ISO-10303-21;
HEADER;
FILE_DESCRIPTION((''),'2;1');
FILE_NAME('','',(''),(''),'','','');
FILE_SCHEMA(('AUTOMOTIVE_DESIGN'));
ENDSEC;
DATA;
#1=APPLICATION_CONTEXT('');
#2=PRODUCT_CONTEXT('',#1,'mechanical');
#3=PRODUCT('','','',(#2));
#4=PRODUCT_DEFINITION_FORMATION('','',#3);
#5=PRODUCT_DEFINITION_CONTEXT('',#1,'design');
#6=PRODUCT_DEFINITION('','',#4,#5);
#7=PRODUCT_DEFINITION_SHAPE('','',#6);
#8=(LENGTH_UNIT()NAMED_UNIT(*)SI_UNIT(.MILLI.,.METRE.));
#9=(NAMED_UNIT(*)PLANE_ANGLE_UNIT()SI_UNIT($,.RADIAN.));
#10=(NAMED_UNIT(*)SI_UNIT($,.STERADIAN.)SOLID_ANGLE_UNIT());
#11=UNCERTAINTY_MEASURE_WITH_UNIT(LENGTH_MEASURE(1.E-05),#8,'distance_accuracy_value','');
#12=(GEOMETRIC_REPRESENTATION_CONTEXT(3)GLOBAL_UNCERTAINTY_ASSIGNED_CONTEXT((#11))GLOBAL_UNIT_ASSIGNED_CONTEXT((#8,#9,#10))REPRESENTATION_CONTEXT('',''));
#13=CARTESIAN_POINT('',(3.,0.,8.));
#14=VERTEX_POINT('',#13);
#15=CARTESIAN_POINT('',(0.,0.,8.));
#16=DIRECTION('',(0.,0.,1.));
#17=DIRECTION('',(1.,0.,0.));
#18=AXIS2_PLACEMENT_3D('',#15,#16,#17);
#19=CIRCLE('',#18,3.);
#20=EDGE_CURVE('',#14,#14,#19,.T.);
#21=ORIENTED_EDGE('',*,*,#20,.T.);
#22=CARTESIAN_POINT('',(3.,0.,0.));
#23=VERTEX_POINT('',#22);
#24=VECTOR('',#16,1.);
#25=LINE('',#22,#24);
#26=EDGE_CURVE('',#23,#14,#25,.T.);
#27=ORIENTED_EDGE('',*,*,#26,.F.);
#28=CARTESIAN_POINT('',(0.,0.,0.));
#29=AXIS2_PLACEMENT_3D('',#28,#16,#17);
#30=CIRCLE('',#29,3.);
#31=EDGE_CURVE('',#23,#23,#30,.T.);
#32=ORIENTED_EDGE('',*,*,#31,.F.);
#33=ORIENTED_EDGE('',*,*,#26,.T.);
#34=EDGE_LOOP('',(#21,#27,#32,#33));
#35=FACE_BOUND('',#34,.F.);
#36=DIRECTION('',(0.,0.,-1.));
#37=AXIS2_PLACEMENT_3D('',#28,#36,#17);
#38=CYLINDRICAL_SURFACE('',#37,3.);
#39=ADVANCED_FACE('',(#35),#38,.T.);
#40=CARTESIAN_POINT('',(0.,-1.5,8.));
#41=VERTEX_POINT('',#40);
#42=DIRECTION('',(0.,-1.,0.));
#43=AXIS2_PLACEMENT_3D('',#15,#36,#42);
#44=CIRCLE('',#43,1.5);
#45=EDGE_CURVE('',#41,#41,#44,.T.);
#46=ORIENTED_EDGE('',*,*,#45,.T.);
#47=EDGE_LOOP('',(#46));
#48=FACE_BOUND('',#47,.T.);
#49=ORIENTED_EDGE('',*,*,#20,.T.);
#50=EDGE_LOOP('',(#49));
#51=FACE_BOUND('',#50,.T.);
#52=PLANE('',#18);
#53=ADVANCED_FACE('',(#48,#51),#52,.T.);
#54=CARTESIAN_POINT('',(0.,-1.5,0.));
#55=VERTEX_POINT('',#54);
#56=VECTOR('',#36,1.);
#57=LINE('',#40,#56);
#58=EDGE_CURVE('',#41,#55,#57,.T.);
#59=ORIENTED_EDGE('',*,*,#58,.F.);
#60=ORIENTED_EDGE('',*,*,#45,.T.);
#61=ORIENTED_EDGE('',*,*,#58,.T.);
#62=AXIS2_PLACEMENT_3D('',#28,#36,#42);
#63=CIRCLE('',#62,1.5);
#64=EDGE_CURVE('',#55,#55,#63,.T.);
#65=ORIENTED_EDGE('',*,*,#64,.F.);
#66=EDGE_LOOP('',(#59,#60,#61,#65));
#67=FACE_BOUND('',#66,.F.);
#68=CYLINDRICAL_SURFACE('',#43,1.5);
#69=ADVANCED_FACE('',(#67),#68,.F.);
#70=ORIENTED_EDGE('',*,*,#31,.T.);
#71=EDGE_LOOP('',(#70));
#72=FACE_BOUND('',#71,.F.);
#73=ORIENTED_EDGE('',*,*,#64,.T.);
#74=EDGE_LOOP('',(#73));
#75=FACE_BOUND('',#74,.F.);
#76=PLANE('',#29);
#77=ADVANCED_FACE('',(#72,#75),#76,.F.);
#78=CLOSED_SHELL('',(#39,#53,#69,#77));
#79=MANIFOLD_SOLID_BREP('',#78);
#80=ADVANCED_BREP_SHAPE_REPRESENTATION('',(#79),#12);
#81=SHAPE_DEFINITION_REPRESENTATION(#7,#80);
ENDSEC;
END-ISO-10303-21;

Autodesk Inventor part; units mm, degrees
ref_plane "YZ Plane" through (0, 0, 0) normal (1, 0, 0) x (0, 1, 0)
ref_plane "XZ Plane" through (0, 0, 0) normal (0, 1, 0) x (-1, 0, 0)
ref_plane "XY Plane" through (0, 0, 0) normal (0, 0, 1) x (1, 0, 0)
sketch "スケッチ1" plane through (0, 0, 0) normal (0, 0, 1) x (1, 0, 0)
  circle A0 centre (0, 0) radius 3
  dimension "d0" = 6
extrude "押し出し1" add sketch "スケッチ1" along normal blind 8
sketch "スケッチ2" plane through (0, 0, 8) normal (0, 0, 1) x (1, 0, 0)
  point P0 (0, 0)
  point P1 (0, 0)
hole "穴1" at (0, 0, 8) direction (0, 0, -1) diameter 3 end through all
properties part number "RD011"
